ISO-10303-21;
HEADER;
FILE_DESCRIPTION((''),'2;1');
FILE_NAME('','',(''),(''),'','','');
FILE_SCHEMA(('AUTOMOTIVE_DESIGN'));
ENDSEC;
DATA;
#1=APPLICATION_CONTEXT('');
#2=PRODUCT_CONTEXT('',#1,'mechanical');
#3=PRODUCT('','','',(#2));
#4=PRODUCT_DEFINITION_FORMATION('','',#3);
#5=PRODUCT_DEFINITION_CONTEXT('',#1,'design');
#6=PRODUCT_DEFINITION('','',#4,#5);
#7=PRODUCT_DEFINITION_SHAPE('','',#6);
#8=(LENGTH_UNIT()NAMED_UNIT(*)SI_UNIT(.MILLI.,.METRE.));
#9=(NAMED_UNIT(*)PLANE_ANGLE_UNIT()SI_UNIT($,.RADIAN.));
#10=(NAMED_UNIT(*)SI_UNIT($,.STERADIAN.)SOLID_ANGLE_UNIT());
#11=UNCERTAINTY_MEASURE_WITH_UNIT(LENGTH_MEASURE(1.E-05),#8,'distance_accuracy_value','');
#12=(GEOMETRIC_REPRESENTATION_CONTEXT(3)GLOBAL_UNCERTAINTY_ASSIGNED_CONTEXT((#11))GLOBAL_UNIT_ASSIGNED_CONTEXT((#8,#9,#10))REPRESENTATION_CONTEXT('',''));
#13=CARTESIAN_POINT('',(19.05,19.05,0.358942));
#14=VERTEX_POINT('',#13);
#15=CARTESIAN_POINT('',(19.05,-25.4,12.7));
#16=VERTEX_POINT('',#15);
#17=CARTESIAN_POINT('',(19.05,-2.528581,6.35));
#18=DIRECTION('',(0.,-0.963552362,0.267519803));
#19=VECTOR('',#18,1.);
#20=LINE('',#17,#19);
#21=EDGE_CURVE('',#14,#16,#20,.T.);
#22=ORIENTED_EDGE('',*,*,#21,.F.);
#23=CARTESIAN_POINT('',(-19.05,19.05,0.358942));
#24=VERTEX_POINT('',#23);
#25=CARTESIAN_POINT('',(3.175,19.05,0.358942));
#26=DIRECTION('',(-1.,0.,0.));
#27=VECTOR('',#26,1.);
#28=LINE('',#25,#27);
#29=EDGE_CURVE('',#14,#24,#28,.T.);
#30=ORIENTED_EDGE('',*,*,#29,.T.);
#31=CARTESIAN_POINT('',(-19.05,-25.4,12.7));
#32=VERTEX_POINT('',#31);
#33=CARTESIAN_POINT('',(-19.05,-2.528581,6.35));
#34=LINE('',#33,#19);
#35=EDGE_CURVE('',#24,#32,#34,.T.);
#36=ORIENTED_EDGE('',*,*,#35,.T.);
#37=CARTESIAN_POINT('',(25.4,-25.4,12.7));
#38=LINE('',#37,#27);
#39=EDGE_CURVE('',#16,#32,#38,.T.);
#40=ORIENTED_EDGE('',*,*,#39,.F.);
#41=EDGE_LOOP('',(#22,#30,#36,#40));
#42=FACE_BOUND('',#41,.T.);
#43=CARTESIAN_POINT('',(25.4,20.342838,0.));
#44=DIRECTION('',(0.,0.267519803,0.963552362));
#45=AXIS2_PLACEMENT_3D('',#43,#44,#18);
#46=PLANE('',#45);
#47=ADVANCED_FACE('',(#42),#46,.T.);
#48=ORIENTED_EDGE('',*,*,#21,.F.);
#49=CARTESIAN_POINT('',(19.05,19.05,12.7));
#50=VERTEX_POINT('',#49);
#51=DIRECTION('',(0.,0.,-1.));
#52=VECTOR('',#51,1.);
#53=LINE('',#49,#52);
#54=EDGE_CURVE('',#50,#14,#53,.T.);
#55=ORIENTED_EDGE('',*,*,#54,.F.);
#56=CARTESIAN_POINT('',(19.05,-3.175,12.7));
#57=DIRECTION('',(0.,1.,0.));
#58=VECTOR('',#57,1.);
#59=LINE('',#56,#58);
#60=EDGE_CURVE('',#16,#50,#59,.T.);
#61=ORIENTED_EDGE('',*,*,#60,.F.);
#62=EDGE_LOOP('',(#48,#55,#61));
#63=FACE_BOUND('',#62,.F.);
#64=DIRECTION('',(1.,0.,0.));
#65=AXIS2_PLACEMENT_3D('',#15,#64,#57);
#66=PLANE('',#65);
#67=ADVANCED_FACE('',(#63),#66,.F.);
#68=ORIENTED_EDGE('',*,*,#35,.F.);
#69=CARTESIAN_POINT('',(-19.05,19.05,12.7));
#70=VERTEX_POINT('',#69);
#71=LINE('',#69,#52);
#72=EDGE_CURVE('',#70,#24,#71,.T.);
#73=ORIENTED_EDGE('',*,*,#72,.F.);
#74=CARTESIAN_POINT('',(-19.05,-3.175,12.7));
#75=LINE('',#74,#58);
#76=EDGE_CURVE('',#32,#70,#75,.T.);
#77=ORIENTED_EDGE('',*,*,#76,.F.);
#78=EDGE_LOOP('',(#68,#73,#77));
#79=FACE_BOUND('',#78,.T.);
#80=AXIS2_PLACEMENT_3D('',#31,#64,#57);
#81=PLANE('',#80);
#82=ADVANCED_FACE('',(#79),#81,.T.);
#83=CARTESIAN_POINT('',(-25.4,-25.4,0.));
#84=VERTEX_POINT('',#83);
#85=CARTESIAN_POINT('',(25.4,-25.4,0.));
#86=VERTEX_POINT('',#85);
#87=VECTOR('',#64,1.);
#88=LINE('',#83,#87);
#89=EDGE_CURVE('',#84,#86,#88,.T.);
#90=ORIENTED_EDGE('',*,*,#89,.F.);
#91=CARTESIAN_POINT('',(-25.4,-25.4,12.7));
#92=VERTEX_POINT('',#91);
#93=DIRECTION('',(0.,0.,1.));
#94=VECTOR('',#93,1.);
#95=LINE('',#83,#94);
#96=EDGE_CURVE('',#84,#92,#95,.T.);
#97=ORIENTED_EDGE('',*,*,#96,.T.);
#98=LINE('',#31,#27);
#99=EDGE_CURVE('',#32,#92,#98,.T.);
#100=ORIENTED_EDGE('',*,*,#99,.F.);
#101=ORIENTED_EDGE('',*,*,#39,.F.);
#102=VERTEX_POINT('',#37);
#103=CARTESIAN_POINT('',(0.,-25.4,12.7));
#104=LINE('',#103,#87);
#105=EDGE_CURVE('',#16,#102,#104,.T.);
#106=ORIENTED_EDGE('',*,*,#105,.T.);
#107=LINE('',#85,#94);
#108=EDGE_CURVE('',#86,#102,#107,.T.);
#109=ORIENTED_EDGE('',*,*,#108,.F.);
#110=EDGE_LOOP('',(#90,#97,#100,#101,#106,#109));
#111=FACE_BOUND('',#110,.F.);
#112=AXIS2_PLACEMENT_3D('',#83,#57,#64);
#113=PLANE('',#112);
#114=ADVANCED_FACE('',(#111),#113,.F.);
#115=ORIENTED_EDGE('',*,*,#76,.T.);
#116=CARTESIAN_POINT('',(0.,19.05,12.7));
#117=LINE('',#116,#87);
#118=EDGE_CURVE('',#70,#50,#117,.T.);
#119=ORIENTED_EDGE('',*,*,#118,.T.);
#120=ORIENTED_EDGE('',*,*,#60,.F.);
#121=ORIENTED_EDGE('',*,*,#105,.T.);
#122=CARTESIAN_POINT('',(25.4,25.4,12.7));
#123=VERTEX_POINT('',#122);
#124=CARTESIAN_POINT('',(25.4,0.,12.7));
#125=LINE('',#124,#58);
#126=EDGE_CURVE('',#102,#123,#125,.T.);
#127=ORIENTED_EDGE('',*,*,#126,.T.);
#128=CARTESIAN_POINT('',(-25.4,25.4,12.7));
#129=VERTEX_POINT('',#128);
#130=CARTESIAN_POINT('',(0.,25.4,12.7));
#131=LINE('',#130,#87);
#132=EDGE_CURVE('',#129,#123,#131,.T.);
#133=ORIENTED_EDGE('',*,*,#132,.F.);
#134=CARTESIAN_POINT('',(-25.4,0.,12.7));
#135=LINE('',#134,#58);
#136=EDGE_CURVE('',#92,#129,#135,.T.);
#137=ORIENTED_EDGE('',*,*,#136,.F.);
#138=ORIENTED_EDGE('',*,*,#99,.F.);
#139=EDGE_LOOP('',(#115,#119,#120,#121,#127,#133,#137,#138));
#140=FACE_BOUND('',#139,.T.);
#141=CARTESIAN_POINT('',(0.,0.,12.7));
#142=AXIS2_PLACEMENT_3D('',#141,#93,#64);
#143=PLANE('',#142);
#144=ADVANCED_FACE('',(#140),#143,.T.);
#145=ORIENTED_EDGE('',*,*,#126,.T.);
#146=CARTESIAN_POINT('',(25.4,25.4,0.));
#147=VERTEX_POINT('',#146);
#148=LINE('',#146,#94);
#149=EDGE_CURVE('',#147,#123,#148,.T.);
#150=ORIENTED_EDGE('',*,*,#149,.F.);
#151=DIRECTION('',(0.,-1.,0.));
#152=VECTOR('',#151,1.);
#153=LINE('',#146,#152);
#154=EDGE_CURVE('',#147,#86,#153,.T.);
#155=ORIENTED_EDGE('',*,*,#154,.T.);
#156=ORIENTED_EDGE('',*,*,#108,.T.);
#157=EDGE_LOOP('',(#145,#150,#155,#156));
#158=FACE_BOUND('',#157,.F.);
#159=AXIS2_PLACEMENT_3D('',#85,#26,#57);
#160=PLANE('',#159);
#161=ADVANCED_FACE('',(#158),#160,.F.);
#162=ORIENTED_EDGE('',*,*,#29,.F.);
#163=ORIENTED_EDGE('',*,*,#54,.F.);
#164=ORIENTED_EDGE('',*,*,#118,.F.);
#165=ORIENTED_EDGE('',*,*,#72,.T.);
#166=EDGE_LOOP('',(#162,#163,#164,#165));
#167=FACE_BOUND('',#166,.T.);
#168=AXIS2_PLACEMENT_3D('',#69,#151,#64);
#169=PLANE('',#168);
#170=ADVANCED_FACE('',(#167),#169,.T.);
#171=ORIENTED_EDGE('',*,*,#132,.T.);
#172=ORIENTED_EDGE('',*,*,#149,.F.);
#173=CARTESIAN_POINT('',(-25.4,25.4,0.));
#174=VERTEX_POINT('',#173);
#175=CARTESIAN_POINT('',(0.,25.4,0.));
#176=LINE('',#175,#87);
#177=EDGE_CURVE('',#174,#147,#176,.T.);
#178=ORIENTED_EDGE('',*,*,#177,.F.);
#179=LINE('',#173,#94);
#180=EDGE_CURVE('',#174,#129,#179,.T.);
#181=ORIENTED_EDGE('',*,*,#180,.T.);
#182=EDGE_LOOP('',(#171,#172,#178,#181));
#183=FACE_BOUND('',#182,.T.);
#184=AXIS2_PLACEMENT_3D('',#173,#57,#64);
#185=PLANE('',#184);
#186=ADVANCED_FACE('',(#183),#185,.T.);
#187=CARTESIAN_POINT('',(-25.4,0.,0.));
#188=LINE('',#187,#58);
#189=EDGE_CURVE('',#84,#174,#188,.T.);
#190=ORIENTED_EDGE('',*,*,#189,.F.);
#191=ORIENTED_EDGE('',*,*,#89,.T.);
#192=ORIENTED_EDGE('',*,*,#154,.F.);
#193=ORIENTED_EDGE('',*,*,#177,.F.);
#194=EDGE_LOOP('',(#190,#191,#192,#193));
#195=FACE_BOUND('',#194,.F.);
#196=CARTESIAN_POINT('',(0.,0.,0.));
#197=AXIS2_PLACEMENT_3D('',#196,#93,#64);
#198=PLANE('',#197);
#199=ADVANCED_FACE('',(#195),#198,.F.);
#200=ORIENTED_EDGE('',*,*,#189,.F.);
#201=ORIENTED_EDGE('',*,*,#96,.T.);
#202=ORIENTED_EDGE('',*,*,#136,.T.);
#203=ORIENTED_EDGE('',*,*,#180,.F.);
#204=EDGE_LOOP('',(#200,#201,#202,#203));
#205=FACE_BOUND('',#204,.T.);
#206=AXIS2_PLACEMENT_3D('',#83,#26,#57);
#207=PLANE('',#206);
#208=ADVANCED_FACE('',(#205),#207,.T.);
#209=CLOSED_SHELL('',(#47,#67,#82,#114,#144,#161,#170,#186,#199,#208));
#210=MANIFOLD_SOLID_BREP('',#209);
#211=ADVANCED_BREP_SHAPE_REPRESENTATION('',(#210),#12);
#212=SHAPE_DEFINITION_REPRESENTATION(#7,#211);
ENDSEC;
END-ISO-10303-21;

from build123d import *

# Parameters (mm, degrees)
F0_W     = 50.8
F0_H     = 50.8
F1_DEPTH = 12.7
F2_W     = 38.1
F2_H     = 44.45
F3_DEPTH = 25.4
F5_DEPTH = 47.752


with BuildPart() as f1:
    # F0 (on Top) → F1 (new body)
    with BuildSketch(Plane.XY):
        Rectangle(F0_W, F0_H)
    extrude(amount=F1_DEPTH)

    # F2 (on face) → F3 (cut)
    with BuildSketch(Plane.XY.offset(12.7)):
        with Locations((0, -3.175)):
            Rectangle(F2_W, F2_H)
    extrude(amount=-F3_DEPTH, mode=Mode.SUBTRACT)

    # F4 (on face) → F5 (join)
    with BuildSketch(Plane.YZ.offset(25.4)):
        Polygon((20.342838, 0), (-25.4, 12.7), (-25.4, 0), align=None)
    extrude(amount=-F5_DEPTH)


solid = f1.part
